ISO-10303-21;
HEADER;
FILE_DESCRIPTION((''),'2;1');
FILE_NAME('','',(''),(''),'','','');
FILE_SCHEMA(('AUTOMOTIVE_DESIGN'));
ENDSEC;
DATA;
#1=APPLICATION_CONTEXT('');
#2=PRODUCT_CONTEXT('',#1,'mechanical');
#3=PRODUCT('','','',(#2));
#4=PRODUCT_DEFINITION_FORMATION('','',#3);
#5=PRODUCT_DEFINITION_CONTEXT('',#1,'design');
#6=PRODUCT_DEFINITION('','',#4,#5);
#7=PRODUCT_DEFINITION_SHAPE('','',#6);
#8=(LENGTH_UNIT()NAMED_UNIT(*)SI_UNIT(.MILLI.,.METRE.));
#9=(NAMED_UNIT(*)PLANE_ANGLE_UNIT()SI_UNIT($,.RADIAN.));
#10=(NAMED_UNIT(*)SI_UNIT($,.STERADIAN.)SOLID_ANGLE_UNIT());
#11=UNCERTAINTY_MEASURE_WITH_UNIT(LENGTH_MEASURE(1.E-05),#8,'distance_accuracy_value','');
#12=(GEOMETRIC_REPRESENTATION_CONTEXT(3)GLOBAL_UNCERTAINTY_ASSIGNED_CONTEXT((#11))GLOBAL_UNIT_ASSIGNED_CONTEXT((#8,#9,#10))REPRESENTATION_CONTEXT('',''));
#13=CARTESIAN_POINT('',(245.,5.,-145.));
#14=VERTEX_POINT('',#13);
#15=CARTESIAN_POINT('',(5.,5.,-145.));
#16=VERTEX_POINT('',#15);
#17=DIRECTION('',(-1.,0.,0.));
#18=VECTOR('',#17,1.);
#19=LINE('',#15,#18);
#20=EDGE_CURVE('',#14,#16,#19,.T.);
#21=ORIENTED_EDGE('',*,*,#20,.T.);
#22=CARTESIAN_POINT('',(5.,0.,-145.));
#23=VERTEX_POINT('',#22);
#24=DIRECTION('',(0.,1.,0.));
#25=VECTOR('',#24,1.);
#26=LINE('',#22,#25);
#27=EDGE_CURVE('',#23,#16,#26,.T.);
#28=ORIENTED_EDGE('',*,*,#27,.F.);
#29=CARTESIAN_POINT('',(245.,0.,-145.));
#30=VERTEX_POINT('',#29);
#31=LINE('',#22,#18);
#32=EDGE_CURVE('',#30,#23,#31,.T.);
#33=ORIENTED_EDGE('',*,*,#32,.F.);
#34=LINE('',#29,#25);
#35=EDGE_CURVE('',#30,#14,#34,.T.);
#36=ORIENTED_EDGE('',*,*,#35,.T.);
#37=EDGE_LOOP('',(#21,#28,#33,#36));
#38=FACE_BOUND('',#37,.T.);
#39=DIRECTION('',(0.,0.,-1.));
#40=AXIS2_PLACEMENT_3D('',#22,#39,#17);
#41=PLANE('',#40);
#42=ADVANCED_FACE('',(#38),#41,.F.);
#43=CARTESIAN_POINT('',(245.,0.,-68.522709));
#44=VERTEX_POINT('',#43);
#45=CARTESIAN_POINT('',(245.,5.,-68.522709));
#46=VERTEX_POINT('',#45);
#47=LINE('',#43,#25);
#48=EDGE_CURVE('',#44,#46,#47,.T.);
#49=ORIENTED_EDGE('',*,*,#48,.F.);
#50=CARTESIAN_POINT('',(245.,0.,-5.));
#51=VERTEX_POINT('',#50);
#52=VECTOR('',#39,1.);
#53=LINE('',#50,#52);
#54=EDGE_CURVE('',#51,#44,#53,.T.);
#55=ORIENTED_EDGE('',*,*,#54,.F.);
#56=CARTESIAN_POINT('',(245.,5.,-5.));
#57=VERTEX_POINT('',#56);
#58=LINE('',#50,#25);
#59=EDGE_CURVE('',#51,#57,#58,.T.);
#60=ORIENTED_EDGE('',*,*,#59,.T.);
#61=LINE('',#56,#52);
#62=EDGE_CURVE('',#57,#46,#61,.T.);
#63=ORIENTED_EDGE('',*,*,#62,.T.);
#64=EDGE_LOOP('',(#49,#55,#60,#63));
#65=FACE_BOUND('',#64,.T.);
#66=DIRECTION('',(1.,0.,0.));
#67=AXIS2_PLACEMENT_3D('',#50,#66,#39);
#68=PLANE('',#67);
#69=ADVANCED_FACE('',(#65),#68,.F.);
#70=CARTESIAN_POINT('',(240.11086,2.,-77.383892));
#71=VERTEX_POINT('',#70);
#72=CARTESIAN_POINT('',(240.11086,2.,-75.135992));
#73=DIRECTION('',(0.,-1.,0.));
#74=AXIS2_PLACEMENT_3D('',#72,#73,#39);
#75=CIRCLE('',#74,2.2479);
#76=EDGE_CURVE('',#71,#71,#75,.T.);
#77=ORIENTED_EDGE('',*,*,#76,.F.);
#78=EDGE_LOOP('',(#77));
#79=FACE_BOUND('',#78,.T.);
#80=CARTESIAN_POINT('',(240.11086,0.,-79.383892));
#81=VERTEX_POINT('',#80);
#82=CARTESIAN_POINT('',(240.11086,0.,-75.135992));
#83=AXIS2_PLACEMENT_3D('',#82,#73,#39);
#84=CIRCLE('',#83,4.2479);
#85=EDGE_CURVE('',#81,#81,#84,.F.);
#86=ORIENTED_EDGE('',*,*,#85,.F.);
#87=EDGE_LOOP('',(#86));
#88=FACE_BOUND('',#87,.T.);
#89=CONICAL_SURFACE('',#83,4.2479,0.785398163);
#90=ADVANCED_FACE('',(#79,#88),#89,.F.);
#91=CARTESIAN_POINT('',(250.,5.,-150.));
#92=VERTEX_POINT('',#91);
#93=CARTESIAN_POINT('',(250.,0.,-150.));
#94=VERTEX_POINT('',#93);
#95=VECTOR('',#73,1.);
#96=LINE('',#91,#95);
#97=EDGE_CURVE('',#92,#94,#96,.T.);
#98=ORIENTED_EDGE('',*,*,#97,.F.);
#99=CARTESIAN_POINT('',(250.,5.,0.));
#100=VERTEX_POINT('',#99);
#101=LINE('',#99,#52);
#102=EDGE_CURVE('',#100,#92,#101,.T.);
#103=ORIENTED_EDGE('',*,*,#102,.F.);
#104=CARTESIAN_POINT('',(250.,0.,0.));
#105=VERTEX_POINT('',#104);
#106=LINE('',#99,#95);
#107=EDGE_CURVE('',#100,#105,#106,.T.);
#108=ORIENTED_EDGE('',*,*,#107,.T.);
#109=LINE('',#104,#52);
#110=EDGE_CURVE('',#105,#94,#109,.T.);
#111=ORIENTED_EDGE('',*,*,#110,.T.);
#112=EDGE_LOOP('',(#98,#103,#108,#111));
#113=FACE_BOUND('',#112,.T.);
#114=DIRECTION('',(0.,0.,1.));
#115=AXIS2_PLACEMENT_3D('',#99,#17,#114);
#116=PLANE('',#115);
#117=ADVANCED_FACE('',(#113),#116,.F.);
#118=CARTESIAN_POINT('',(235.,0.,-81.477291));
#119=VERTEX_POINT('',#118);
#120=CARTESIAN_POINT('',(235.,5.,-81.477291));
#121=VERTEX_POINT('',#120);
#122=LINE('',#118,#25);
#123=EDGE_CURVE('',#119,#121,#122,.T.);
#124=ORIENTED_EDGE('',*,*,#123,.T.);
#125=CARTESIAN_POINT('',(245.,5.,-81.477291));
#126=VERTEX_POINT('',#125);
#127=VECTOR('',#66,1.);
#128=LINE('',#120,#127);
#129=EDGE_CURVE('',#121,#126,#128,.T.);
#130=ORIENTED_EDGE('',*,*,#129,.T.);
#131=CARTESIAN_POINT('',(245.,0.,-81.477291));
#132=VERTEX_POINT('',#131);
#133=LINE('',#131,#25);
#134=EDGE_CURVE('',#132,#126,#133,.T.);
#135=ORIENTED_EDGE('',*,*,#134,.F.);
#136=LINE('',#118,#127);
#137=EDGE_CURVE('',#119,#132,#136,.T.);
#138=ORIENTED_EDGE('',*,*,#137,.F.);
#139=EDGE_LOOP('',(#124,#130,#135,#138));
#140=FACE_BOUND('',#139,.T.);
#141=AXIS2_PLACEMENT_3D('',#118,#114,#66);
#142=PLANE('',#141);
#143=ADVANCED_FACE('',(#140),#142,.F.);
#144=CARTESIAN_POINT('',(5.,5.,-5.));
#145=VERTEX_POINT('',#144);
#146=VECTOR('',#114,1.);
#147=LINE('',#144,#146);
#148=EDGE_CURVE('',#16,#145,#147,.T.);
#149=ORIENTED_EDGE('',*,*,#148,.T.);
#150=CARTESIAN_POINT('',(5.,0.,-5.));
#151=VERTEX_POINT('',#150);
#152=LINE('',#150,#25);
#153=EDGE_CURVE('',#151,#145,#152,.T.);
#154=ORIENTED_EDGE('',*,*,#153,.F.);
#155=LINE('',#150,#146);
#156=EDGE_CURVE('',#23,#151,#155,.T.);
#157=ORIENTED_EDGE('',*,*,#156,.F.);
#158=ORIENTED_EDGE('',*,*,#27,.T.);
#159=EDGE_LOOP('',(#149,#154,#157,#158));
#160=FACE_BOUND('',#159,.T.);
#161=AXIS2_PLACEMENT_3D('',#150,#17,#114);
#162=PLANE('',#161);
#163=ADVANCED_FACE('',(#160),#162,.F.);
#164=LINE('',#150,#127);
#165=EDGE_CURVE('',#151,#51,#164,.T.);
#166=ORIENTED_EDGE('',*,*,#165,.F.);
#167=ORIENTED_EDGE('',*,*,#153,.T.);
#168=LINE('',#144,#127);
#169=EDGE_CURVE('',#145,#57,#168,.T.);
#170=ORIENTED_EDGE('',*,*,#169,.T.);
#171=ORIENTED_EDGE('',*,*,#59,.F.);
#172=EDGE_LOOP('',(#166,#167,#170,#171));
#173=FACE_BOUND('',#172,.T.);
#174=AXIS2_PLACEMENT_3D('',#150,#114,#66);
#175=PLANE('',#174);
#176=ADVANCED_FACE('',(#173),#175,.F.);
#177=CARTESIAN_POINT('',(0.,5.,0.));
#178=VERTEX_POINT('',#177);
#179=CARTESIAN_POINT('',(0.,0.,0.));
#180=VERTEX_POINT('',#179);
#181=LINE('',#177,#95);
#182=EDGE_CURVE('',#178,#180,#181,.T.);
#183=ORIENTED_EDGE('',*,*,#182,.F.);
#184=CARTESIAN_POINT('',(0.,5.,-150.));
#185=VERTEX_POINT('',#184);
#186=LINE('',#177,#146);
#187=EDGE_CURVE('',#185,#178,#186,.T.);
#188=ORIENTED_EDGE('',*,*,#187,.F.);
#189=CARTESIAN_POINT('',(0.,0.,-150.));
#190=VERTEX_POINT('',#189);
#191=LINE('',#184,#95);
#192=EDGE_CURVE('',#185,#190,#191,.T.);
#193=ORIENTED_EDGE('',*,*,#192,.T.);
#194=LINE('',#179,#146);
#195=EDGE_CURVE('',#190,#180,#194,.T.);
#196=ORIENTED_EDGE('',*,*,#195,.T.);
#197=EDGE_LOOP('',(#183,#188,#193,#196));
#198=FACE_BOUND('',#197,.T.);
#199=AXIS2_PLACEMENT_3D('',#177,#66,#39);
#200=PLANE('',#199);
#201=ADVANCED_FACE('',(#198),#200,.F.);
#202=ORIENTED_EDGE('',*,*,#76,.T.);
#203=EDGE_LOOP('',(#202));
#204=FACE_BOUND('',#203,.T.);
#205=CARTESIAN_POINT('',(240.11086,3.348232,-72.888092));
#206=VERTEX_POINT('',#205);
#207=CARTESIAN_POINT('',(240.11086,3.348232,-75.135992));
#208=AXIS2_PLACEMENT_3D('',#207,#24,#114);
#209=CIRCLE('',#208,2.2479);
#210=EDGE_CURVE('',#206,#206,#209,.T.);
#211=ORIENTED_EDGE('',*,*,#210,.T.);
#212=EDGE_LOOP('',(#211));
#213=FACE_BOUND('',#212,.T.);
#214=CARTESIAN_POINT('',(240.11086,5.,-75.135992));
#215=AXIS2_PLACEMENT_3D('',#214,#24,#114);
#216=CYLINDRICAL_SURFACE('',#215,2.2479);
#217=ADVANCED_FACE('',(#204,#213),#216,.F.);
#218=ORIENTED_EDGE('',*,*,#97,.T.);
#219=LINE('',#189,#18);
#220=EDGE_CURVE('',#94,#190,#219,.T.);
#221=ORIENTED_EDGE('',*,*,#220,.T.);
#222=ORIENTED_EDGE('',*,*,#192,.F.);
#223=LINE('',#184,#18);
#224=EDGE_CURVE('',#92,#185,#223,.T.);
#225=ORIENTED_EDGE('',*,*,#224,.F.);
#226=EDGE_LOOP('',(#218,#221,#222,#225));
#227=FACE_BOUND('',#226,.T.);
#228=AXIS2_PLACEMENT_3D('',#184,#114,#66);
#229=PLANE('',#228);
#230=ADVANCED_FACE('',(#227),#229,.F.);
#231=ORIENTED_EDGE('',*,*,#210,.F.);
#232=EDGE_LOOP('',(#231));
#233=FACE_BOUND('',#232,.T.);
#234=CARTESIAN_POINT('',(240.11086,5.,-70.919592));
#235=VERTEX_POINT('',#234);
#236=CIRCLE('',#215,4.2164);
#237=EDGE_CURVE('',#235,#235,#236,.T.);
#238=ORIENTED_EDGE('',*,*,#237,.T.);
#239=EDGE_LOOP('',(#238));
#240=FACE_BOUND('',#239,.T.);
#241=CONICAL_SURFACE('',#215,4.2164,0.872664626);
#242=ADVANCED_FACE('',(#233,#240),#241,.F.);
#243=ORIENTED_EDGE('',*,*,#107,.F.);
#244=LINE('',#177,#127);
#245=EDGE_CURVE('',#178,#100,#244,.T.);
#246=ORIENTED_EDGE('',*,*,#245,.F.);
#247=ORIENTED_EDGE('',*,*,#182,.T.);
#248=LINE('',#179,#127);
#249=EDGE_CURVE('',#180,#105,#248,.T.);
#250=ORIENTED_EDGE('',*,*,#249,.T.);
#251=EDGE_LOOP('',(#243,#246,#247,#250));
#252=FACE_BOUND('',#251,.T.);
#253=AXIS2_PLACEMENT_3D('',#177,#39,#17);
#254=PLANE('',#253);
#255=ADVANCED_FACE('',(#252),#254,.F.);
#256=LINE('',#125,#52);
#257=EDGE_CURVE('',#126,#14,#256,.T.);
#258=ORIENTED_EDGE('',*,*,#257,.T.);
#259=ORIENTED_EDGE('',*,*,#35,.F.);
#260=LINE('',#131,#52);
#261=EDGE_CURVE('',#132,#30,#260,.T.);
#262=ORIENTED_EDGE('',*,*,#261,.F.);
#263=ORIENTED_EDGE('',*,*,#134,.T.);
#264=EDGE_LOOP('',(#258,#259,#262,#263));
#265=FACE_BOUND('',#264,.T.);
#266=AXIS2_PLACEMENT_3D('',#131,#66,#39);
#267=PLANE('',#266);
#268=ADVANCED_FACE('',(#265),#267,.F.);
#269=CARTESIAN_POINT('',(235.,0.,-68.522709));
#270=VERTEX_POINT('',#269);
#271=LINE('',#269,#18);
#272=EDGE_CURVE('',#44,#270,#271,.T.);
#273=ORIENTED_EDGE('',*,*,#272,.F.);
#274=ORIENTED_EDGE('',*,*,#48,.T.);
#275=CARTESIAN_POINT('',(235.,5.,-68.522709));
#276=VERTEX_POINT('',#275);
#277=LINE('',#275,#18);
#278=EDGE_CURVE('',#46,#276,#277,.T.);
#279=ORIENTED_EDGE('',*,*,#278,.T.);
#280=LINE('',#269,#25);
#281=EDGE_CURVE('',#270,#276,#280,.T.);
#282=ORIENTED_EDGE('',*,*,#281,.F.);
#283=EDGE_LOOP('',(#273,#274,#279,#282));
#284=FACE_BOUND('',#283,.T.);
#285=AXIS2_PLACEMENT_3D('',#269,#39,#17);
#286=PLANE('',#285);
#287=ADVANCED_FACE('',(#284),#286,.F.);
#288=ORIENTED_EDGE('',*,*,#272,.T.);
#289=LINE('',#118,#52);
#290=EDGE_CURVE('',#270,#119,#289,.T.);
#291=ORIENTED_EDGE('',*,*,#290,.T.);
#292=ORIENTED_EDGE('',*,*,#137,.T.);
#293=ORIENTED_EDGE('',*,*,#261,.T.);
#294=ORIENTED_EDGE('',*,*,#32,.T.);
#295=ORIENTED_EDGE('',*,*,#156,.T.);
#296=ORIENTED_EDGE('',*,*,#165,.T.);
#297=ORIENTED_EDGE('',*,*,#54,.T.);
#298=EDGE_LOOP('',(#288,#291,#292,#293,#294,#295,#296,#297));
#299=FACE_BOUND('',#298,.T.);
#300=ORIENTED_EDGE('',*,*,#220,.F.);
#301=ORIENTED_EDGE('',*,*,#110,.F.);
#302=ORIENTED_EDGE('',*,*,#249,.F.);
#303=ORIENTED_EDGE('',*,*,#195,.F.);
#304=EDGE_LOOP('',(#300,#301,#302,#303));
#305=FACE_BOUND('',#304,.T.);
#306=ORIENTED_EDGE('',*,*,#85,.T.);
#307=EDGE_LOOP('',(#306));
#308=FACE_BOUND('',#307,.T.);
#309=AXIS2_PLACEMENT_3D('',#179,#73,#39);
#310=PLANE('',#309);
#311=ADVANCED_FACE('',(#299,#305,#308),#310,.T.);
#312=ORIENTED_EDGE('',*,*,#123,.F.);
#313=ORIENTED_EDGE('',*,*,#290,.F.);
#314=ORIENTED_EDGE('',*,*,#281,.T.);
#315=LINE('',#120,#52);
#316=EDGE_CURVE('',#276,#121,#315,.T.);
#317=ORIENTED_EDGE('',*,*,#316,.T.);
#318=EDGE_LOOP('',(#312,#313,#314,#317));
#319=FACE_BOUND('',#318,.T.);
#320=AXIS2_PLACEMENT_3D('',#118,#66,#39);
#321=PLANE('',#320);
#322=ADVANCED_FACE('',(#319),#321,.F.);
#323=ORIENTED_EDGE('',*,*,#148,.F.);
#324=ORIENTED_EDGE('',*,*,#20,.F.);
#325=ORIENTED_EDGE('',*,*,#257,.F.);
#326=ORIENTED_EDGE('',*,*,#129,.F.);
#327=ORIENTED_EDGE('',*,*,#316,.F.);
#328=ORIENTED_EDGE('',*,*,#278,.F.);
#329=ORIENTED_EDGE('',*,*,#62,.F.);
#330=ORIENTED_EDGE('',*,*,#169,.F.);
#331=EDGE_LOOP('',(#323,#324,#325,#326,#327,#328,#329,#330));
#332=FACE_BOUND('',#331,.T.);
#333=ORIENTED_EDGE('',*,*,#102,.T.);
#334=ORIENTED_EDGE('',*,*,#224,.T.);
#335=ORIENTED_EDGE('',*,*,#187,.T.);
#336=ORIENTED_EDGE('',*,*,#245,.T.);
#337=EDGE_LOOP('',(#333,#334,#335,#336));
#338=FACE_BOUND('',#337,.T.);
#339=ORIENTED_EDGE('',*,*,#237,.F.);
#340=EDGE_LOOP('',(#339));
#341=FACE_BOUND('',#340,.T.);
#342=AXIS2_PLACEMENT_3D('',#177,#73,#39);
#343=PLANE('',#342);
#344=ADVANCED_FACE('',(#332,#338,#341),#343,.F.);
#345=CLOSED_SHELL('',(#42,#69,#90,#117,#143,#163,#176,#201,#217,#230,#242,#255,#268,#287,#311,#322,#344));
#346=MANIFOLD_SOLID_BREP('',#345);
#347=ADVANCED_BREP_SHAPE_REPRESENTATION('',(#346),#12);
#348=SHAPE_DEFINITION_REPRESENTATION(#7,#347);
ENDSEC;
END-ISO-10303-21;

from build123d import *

# Parameters (mm, degrees)
SKETCH1_W                                         = 250
SKETCH1_H                                         = 150
BOSS_EXTRUDE1_DEPTH                               = 5
CUT_EXTRUDE1_DEPTH                                = 5
CSK_FOR_8_FLAT_HEAD_MACHINE_SCREW_100_D           = 4.4958
CSK_FOR_8_FLAT_HEAD_MACHINE_SCREW_100_CSINK_D     = 8.4328
CSK_FOR_8_FLAT_HEAD_MACHINE_SCREW_100_CSINK_ANGLE = 100
CHAMFER1_SIZE                                     = 2


with BuildPart() as part:
    # Sketch1 → Boss-Extrude1 (new body)
    with BuildSketch(Plane(origin=(0, 0, 0), x_dir=(1, 0, 0), z_dir=(0, 1, 0))):
        with Locations((125, 75)):
            Rectangle(SKETCH1_W, SKETCH1_H)
    extrude(amount=BOSS_EXTRUDE1_DEPTH)

    # Sketch2 → Cut-Extrude1 (cut)
    with BuildSketch(Plane(origin=(0, 5, 0), x_dir=(1, 0, 0), z_dir=(0, 1, 0))):
        Polygon((5, 5), (245, 5), (245, 68.522708921), (235, 68.522708921), (235, 81.477291079), (245, 81.477291079), (245, 145), (5, 145), align=None)
    extrude(amount=-CUT_EXTRUDE1_DEPTH, mode=Mode.SUBTRACT)

    # CSK for #8 Flat Head Machine Screw (100)1 (through all)
    with Locations(Plane(origin=(240.110859841, 5, -75.135992341), x_dir=(0, 0, 1), z_dir=(0, 1, 0))):
        with Locations((0, 0)):
            CounterSinkHole(CSK_FOR_8_FLAT_HEAD_MACHINE_SCREW_100_D / 2, CSK_FOR_8_FLAT_HEAD_MACHINE_SCREW_100_CSINK_D / 2, counter_sink_angle=CSK_FOR_8_FLAT_HEAD_MACHINE_SCREW_100_CSINK_ANGLE)

    # Chamfer1
    chamfer1_edges = [part.edges().sort_by_distance(p)[0] for p in [
        (240.110859841, 0, -72.888092341),
    ]]
    chamfer(chamfer1_edges, length=CHAMFER1_SIZE)


solid = part.part
